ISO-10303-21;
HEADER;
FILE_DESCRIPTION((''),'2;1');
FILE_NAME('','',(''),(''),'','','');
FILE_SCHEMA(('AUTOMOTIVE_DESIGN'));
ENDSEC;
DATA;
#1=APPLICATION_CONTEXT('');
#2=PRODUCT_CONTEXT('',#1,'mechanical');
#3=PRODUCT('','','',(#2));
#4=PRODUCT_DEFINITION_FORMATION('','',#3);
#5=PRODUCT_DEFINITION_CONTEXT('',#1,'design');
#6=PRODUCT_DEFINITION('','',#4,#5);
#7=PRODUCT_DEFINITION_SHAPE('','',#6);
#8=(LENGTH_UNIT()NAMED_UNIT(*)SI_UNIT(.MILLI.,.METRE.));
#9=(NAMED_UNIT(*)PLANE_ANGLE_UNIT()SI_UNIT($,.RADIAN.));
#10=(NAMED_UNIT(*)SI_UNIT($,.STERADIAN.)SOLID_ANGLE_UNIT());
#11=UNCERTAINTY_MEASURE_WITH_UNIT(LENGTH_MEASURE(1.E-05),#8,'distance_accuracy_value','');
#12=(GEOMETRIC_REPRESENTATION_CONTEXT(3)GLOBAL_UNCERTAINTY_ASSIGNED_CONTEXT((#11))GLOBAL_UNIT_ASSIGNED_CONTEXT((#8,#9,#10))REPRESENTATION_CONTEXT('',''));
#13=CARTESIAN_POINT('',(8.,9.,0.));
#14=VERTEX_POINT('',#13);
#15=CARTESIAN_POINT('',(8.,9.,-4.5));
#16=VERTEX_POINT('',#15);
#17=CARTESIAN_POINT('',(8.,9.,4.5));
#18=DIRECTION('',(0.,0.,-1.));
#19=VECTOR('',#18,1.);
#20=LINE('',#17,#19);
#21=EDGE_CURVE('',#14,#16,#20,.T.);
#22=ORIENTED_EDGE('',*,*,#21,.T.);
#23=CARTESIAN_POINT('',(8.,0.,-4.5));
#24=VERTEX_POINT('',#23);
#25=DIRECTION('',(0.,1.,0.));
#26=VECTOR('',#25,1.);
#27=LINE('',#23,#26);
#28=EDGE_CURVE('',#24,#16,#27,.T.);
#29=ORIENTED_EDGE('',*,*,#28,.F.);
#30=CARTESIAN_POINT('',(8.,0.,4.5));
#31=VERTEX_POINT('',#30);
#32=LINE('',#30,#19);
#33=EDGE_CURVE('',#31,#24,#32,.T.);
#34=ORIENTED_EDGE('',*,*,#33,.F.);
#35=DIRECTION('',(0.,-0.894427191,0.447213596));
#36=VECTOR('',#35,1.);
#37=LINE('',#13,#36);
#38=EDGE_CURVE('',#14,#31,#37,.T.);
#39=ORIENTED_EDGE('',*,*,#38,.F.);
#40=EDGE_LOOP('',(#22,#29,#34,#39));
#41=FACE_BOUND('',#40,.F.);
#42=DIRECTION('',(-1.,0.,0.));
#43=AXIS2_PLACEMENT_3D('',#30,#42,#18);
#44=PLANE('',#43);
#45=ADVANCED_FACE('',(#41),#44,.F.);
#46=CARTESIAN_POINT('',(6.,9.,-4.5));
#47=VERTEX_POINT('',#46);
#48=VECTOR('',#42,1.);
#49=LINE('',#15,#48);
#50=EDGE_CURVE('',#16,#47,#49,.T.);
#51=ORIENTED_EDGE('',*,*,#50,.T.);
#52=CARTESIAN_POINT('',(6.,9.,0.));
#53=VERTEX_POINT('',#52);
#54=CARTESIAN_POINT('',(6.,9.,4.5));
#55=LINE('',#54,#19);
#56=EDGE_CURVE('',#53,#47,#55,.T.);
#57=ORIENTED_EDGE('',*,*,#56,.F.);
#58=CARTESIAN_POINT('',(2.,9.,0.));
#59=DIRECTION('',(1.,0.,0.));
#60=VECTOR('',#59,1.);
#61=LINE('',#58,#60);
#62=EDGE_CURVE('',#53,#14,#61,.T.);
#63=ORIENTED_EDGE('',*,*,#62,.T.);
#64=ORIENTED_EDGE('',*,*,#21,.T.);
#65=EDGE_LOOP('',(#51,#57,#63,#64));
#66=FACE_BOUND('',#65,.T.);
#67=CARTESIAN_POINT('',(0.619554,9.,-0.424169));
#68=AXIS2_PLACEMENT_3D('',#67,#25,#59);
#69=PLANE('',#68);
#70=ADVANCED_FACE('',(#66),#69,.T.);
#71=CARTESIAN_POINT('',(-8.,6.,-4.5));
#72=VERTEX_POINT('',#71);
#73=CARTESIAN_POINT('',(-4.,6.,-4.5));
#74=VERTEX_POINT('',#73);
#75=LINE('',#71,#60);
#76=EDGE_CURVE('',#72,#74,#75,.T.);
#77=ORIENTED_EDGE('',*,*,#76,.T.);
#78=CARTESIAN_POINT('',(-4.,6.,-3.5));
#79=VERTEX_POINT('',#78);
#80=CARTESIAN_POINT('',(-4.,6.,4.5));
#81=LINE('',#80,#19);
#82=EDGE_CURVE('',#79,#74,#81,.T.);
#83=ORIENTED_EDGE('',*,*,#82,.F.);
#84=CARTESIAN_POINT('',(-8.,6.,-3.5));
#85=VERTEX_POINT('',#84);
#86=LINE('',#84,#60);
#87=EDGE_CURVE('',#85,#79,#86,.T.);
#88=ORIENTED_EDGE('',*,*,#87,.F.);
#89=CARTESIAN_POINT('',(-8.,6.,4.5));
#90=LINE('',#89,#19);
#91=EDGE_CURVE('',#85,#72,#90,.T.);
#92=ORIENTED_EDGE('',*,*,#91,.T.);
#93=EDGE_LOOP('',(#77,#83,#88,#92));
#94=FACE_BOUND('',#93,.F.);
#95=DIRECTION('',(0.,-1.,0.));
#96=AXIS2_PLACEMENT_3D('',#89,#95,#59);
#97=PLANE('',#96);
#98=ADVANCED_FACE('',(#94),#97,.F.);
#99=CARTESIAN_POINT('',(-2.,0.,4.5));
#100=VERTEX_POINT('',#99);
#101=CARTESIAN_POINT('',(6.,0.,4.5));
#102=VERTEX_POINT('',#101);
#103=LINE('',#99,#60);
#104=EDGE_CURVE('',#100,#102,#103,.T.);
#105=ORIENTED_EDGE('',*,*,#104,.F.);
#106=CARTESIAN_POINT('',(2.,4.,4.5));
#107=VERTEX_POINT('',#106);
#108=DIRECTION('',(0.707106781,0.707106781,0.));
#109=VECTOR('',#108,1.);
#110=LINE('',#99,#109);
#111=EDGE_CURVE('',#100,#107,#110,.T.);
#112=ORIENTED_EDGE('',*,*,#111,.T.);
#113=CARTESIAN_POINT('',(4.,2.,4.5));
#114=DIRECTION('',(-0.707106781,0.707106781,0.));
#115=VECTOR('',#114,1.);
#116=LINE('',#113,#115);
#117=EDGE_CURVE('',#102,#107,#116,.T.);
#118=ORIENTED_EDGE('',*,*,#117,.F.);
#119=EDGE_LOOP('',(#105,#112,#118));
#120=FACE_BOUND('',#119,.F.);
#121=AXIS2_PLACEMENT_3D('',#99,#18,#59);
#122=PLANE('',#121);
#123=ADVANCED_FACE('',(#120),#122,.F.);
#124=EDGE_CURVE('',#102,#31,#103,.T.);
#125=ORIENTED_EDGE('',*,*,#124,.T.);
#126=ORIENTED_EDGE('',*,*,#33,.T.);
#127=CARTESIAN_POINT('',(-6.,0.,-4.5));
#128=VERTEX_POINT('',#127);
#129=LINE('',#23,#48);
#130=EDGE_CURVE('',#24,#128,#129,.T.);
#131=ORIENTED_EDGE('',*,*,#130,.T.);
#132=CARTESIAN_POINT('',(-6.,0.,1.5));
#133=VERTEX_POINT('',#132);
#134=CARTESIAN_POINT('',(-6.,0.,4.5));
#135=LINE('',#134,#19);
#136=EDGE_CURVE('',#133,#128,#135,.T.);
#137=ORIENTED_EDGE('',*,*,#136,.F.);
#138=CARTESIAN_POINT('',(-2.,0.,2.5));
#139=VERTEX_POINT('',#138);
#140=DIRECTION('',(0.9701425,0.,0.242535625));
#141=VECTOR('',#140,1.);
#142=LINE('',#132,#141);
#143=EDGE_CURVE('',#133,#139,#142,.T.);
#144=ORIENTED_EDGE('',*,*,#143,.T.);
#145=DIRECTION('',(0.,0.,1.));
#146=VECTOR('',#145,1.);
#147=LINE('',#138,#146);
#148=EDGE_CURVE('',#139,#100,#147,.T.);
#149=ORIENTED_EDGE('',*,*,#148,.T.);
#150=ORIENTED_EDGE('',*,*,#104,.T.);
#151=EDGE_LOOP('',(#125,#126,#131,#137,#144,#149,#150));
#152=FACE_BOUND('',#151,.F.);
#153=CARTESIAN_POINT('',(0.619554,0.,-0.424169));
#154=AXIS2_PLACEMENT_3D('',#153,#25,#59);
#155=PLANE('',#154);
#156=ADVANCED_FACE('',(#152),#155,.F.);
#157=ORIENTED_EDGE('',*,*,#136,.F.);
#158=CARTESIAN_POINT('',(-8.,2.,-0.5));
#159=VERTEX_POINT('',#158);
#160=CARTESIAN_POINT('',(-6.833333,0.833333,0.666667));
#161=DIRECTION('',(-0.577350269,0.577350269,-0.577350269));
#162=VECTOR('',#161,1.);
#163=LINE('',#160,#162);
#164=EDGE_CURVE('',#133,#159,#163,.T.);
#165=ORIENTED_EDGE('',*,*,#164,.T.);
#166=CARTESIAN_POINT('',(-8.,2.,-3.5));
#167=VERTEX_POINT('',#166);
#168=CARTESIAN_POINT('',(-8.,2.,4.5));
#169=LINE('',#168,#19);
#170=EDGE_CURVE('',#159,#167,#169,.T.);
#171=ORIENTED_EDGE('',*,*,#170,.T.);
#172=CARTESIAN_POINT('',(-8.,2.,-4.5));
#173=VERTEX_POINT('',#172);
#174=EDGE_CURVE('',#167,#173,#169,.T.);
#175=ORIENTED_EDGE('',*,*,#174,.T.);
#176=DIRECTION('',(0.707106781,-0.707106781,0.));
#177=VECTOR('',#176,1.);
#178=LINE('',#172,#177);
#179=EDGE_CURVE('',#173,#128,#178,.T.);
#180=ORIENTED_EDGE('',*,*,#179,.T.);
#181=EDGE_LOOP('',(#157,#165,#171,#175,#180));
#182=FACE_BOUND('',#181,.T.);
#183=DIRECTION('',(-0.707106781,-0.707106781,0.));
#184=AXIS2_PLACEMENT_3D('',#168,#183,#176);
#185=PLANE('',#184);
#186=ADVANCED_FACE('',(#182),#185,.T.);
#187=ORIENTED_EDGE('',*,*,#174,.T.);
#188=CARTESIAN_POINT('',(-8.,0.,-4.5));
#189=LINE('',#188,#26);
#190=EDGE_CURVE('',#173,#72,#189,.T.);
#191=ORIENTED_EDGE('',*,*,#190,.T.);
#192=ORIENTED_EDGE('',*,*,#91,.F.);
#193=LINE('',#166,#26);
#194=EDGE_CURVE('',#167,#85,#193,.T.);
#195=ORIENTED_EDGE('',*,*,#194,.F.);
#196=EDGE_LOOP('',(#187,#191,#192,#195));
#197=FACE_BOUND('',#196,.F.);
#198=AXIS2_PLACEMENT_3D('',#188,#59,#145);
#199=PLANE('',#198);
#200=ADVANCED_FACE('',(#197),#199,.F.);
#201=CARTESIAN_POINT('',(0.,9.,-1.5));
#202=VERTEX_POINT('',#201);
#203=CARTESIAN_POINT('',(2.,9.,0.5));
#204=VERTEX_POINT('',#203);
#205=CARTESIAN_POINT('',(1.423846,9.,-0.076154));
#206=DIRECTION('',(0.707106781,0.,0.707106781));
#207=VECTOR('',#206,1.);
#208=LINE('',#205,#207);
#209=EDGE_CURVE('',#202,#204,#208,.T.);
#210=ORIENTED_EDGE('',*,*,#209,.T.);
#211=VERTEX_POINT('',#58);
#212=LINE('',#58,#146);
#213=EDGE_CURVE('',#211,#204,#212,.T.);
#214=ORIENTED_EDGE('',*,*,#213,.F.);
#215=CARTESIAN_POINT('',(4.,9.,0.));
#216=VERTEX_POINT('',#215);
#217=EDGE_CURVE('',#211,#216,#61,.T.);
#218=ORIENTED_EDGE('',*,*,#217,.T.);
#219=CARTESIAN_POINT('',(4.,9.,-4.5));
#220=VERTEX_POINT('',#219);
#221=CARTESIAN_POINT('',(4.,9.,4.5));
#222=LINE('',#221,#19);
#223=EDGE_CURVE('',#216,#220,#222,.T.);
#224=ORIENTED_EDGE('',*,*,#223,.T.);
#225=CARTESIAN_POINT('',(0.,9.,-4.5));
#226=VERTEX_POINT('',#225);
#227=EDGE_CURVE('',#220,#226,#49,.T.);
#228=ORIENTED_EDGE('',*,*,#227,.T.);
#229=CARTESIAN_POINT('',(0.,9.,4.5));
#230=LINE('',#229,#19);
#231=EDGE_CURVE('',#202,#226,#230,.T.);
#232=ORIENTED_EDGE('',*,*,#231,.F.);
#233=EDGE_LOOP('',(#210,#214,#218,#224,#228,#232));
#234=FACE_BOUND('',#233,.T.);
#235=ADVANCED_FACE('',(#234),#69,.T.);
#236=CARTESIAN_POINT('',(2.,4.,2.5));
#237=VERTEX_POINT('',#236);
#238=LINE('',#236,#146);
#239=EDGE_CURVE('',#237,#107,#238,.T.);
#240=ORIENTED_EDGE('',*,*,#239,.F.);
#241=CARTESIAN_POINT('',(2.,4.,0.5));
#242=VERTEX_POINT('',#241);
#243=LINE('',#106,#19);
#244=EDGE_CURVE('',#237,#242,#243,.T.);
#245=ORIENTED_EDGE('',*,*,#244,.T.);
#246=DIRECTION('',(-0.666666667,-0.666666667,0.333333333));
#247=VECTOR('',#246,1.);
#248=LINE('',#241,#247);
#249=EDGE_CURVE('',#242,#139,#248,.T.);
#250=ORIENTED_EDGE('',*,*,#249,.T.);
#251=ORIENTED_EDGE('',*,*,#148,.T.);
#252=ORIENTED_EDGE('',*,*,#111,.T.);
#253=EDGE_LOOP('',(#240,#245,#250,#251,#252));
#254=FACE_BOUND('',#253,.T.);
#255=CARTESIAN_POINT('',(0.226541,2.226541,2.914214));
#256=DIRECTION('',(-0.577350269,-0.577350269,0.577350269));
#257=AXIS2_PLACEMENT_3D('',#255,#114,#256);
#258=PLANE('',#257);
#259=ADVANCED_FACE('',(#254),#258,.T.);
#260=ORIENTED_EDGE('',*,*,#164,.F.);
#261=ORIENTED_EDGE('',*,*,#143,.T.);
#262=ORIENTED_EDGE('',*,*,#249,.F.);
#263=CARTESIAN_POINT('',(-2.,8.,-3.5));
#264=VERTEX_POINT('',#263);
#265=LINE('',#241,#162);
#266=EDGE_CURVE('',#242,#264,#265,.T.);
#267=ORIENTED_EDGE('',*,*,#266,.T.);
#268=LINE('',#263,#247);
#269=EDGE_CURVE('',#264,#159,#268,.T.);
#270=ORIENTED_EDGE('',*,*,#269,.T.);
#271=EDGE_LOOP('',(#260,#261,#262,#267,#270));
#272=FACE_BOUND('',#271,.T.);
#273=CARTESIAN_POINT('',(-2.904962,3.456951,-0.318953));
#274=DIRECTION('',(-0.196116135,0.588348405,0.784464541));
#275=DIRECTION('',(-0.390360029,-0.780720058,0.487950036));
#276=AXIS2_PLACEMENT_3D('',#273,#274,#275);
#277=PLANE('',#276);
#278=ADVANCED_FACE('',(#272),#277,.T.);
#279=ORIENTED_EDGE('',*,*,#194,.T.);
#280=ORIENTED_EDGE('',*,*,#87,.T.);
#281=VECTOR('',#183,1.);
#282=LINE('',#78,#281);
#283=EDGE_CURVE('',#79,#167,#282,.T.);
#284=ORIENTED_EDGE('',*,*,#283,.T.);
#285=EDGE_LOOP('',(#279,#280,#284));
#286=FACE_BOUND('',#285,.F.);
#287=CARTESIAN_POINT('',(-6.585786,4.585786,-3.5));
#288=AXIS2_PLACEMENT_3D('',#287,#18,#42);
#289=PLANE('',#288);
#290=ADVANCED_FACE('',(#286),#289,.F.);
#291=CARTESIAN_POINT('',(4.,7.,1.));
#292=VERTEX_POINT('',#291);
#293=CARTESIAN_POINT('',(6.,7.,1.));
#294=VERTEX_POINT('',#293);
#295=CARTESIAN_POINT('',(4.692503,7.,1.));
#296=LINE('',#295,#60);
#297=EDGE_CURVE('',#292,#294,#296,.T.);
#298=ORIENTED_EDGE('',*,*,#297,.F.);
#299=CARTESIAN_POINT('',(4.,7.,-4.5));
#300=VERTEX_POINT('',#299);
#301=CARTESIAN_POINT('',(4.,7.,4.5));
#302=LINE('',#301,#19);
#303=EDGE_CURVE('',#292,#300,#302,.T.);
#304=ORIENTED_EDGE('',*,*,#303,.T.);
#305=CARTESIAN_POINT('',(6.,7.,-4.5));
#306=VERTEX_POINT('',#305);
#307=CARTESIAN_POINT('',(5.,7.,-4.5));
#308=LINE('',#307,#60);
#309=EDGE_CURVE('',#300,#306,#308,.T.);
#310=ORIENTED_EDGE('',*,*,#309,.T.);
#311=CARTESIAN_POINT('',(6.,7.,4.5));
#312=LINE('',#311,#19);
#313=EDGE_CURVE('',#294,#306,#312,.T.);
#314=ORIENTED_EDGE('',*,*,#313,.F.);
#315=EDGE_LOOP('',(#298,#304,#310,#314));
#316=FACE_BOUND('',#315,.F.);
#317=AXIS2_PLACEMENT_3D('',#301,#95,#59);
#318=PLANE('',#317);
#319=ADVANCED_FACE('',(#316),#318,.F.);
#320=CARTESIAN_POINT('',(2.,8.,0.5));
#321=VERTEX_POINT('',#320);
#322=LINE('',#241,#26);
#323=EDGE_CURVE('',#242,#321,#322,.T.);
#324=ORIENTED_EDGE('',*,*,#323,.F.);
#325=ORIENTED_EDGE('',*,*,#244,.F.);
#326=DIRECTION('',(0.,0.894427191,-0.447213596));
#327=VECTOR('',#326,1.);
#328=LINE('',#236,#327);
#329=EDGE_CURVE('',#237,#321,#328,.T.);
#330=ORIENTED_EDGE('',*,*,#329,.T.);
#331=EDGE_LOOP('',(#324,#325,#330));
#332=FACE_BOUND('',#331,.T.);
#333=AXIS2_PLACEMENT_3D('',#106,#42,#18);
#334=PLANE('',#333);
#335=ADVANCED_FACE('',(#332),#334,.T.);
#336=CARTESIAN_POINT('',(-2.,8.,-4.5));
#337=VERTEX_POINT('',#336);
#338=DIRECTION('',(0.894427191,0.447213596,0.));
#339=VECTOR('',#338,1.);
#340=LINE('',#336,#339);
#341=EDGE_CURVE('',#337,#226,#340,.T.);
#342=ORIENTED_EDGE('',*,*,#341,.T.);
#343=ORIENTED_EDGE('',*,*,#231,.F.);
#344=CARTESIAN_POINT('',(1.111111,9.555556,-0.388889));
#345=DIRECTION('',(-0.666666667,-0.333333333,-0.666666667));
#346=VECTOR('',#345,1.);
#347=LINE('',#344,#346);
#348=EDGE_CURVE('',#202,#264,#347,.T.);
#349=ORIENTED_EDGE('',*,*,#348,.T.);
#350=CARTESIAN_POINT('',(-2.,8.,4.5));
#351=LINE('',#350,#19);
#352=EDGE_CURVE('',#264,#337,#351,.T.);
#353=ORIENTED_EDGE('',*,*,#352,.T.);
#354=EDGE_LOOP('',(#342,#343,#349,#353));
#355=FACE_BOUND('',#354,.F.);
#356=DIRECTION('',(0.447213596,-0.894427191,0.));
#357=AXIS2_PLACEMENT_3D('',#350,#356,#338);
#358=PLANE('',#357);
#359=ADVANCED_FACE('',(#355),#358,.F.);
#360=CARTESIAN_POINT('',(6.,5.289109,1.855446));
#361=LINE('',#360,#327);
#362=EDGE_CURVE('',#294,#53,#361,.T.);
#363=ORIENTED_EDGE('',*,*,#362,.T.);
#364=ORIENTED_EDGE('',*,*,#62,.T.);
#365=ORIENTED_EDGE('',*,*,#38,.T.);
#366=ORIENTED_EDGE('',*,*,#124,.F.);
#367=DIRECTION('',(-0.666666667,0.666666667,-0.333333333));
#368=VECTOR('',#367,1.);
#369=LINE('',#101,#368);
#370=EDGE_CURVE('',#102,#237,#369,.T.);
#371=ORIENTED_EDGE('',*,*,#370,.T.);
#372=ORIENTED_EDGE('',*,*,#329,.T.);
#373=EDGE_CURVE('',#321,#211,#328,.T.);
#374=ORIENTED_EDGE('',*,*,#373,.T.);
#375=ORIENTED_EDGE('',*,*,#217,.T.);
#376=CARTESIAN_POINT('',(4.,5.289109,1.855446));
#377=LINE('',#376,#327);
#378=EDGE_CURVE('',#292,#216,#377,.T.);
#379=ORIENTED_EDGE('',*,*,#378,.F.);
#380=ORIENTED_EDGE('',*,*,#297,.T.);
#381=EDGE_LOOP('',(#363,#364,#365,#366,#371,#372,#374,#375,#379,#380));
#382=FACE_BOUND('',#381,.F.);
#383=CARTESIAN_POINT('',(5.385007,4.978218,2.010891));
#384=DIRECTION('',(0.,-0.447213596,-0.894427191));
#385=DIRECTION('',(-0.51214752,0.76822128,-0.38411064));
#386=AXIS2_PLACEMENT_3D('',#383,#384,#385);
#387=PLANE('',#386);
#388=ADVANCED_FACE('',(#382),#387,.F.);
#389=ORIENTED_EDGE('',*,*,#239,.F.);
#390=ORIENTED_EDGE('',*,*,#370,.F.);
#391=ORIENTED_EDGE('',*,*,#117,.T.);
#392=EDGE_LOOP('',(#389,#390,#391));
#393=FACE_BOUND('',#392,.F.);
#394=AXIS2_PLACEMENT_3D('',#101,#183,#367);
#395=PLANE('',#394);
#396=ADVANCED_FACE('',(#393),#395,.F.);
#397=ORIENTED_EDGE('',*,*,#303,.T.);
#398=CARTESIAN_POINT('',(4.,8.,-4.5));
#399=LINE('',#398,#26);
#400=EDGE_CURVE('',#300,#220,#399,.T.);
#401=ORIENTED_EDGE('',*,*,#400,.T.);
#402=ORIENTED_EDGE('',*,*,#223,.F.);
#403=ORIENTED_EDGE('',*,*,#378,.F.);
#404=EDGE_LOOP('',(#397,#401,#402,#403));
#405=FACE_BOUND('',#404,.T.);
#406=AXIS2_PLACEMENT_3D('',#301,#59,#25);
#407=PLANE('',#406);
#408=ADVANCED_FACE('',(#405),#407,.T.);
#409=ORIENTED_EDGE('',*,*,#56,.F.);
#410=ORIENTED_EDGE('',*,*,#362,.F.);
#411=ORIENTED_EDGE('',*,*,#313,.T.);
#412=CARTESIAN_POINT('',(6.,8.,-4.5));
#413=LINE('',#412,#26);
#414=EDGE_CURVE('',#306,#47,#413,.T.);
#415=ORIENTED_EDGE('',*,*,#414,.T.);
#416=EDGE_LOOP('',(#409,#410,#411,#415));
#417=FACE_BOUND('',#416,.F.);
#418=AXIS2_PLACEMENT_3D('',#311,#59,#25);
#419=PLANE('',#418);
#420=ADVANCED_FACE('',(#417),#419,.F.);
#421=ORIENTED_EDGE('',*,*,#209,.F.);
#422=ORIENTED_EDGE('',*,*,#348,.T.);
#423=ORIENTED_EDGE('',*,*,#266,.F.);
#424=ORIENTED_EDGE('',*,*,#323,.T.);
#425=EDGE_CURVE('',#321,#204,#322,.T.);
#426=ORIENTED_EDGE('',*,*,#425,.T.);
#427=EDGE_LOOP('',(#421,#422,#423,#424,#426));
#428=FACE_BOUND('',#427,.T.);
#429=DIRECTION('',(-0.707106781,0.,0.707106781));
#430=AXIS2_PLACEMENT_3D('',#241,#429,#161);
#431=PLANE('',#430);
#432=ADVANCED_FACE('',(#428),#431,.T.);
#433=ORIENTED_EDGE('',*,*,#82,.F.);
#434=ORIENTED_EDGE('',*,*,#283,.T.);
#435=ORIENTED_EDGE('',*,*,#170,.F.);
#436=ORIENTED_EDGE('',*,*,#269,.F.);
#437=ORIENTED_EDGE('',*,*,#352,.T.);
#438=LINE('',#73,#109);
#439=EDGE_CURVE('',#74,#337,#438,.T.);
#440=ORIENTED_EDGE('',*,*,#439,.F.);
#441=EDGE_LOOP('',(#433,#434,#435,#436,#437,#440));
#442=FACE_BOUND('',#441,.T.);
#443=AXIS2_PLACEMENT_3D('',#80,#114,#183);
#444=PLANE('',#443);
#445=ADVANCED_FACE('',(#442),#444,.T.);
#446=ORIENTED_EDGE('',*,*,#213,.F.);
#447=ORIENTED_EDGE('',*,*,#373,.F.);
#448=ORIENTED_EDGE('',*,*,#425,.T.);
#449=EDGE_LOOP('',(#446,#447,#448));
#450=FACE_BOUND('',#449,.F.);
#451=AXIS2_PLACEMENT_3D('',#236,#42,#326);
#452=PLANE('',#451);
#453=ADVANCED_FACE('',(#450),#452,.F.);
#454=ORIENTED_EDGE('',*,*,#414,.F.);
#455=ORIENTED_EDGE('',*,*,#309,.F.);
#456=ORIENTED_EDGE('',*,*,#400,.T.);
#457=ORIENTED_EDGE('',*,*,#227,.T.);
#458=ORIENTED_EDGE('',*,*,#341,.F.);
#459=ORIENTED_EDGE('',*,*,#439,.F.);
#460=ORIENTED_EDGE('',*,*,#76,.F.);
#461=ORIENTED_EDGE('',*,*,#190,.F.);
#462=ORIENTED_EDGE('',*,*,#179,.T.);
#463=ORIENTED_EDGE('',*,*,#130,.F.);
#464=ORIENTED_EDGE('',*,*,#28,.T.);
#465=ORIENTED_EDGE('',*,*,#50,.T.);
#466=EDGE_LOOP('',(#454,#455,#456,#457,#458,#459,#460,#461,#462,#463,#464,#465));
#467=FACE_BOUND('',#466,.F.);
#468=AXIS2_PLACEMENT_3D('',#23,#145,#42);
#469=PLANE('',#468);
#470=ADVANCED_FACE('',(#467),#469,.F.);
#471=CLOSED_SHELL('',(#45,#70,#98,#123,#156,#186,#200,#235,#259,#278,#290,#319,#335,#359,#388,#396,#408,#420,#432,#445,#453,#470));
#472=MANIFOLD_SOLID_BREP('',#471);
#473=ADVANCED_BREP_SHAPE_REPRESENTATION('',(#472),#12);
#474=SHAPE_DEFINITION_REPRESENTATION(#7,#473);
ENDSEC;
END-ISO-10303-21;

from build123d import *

# Parameters (mm, degrees)
BOSS_EXTRUDE1_DEPTH = 9
SKETCH2_W           = 2
SKETCH2_H           = 2
CUT_EXTRUDE1_DEPTH  = 9
CUT_EXTRUDE2_DEPTH  = 8
CUT_EXTRUDE3_DEPTH  = 8
CUT_EXTRUDE4_DEPTH  = 8
CUT_EXTRUDE5_DEPTH  = 8


with BuildPart() as part:
    # Sketch1 → Boss-Extrude1 (new body)
    with BuildSketch(Plane(origin=(0, 0, 0), x_dir=(1, 0, 0), z_dir=(0, 1, 0))):
        Polygon((-8, 4.5), (-8, 0.5), (-6, -1.5), (-2, -2.5), (-2, -4.5), (8, -4.5), (8, 4.5), align=None)
    extrude(amount=BOSS_EXTRUDE1_DEPTH)

    # Sketch2 → Cut-Extrude1 (cut)
    with BuildSketch(Plane.XY.offset(4.5)):
        with Locations((5, 8)):
            Rectangle(SKETCH2_W, SKETCH2_H)
        Polygon((-8, 6), (-4, 6), (-2, 8), (0, 9), (-8, 9), align=None)
        Polygon((-8, 2), (-6, 0), (-8, 0), align=None)
    extrude(amount=-CUT_EXTRUDE1_DEPTH, mode=Mode.SUBTRACT)

    # Sketch4 → Cut-Extrude2 (cut)
    with BuildSketch(Plane.XY.offset(4.5)):
        Polygon((-4, 6), (-8, 2), (-8, 6), align=None)
    extrude(amount=-CUT_EXTRUDE2_DEPTH, mode=Mode.SUBTRACT)

    # 3DSketch1 → Cut-Extrude3 (cut, along a direction that is not the sketch's normal)
    with BuildSketch(Plane(origin=(8, 0, 4.5), x_dir=(-0.5121475197315839, 0.7682212795973759, -0.3841106397986879), z_dir=(0, -0.447213595499958, -0.894427190999916))):
        Polygon((0, 0), (1.024295039, -1.717795003), (6.913991516, -2.862991672), (11.715374514, 0), (8.642489395, 5.153385009), align=None)
    extrude(amount=-CUT_EXTRUDE3_DEPTH, dir=(0, 0, -1), mode=Mode.SUBTRACT)

    # 3DSketch2 → Cut-Extrude4 (cut, along a direction that is not the sketch's normal)
    with BuildSketch(Plane(origin=(-2, 0, 4.5), x_dir=(0.5773502691896258, 0.5773502691896258, -0.5773502691896257), z_dir=(0.7071067811865476, -0.7071067811865476, 0))):
        Polygon((0, 0), (4.618802154, 3.265986324), (6.92820323, 0), (1.154700538, -1.632993162), align=None)
    extrude(amount=-CUT_EXTRUDE4_DEPTH, dir=(0, -1, 0), mode=Mode.SUBTRACT)

    # 3DSketch3 → Cut-Extrude5 (cut, along a direction that is not the sketch's normal)
    with BuildSketch(Plane(origin=(-2, 8, -3.5), x_dir=(-0.3903600291794133, -0.7807200583588266, 0.48795003647426655), z_dir=(-0.19611613513818413, 0.5883484054145521, 0.7844645405527362))):
        Polygon((0, 0), (8.490330635, -2.985680109), (10.246950766, 0), (9.173460686, 3.980906812), (3.513240263, 5.971360218), align=None)
    extrude(amount=CUT_EXTRUDE5_DEPTH, dir=(0, 1, 0), mode=Mode.SUBTRACT)


solid = part.part
